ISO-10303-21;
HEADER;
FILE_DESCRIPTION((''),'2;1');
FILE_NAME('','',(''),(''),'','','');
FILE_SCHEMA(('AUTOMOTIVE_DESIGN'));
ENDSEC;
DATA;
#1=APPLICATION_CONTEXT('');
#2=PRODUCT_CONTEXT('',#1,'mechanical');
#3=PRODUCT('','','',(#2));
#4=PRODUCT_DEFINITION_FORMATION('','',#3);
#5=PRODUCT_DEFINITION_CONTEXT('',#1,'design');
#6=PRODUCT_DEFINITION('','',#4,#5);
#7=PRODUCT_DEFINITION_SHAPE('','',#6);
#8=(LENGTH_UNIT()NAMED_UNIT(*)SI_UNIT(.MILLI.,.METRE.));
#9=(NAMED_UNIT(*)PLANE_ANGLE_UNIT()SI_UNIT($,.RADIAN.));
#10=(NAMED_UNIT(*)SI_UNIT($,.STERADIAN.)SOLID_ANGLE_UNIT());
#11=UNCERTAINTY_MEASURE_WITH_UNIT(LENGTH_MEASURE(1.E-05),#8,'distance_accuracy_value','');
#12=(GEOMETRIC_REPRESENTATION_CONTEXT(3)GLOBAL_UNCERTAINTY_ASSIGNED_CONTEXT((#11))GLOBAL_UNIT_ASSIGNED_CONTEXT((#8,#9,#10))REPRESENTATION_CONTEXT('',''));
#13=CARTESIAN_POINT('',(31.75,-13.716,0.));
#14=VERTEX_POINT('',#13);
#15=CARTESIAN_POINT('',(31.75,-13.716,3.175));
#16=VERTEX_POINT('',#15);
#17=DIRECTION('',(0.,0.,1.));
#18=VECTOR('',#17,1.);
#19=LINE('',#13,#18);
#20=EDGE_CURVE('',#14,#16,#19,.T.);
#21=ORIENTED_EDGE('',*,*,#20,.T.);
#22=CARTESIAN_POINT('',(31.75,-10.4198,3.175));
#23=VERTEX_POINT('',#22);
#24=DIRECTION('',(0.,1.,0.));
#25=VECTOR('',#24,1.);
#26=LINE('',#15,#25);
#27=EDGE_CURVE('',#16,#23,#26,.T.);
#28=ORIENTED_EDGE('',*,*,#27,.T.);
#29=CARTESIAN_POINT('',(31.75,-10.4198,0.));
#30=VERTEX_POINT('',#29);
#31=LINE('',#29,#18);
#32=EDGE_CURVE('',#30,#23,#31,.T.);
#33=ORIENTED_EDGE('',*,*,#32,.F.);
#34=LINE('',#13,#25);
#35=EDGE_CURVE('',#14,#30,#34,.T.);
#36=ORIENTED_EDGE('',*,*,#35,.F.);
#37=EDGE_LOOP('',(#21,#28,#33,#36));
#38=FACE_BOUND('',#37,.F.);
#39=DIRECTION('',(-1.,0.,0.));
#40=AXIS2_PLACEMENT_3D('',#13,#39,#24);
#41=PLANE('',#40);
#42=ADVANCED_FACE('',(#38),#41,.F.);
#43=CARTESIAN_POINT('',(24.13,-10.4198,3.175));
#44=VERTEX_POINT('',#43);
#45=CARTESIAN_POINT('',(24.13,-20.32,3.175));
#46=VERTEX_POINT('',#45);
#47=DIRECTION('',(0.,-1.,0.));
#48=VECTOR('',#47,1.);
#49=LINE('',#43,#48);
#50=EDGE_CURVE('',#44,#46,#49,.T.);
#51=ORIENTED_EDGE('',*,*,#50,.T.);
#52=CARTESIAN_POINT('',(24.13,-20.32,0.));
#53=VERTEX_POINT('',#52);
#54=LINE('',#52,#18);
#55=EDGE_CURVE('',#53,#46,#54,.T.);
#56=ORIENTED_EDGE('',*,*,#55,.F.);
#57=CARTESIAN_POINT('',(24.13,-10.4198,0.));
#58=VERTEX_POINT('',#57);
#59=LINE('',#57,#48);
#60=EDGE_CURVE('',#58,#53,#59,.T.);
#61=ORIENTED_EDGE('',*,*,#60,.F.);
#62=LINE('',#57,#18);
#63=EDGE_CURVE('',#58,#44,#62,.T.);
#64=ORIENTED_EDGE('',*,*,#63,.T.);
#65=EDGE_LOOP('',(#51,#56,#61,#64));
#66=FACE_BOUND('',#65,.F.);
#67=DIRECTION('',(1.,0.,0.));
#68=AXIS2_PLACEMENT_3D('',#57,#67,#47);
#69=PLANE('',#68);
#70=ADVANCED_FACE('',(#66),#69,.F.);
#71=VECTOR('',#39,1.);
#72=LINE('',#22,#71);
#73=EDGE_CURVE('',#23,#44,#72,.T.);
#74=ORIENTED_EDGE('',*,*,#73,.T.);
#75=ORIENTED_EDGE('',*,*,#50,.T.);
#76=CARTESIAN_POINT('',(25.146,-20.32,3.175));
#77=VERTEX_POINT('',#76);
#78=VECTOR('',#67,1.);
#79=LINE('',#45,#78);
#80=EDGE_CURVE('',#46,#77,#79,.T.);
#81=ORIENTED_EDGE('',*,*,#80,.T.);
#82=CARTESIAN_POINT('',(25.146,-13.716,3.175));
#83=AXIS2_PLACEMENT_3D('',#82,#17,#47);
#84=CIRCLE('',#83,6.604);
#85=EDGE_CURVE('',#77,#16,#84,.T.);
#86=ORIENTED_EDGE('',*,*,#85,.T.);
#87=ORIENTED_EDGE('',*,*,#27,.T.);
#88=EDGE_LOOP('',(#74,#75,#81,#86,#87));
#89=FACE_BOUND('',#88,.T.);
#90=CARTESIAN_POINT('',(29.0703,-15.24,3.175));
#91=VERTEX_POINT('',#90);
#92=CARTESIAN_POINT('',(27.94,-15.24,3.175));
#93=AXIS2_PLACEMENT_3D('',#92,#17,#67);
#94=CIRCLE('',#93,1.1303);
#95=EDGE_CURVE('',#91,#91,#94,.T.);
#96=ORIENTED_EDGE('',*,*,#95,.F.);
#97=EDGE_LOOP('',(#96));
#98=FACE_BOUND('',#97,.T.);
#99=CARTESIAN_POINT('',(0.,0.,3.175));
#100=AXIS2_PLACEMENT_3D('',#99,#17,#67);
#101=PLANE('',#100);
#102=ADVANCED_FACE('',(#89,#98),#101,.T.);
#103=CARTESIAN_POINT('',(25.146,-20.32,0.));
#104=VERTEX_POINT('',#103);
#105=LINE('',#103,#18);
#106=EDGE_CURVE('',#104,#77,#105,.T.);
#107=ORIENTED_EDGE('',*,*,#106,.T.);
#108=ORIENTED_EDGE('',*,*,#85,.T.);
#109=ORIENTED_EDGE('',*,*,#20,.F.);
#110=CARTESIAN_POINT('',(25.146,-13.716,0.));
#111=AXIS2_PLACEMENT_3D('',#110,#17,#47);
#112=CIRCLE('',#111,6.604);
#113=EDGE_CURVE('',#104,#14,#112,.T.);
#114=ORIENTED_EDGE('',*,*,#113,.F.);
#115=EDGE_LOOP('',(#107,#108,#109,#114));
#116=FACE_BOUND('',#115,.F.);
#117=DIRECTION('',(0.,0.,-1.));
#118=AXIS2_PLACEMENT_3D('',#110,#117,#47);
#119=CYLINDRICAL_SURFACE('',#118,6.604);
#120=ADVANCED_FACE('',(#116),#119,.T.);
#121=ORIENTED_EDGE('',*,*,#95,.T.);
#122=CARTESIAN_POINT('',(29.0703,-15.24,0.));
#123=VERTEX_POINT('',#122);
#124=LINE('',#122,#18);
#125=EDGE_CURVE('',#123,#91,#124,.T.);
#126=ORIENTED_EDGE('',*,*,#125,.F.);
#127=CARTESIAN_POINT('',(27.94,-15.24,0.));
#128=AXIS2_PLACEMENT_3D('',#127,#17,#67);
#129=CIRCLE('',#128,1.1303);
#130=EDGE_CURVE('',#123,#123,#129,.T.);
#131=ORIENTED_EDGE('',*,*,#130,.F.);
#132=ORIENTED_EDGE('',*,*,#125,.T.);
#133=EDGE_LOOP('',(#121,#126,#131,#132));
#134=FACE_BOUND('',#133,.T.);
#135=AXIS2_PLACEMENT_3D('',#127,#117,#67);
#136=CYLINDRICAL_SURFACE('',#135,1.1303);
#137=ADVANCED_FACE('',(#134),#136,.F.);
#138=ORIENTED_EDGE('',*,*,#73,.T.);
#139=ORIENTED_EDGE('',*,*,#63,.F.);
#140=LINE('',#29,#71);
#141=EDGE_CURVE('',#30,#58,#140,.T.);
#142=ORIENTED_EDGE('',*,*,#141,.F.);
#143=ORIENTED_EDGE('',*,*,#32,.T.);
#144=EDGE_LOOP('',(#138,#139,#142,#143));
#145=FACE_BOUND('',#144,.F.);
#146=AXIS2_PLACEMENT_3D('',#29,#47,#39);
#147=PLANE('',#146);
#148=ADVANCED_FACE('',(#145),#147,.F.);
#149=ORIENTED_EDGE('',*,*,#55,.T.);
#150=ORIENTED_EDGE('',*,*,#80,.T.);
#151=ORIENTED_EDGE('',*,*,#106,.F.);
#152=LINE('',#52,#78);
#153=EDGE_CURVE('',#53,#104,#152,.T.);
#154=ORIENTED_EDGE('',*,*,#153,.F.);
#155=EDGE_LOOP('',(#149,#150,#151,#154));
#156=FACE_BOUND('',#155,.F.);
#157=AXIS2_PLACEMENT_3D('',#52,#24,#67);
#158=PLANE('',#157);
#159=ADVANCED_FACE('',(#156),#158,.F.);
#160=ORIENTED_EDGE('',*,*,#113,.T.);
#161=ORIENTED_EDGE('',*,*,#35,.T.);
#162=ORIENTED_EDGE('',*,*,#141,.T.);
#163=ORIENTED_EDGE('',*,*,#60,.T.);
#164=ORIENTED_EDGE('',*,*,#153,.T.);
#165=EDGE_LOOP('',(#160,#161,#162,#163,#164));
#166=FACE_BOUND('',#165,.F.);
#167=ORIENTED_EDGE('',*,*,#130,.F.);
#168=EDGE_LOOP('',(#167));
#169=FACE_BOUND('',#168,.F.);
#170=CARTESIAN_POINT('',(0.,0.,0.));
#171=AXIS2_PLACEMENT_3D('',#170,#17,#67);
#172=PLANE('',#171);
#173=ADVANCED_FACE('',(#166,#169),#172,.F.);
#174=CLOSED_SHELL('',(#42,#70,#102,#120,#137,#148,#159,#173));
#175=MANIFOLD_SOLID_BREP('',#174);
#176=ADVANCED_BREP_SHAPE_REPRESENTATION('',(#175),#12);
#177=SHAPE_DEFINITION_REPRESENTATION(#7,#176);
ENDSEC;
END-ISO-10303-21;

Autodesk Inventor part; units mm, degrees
ref_plane "YZ Plane" through (0, 0, 0) normal (1, 0, 0) x (0, 1, 0)
ref_plane "XZ Plane" through (0, 0, 0) normal (0, 1, 0) x (-1, 0, 0)
ref_plane "XY Plane" through (0, 0, 0) normal (0, 0, 1) x (1, 0, 0)
ref_plane "Work Plane1" through (0, 0, 0) normal (0, 0, 1) x (1, 0, 0)
sketch "Sketch1" plane through (0, 0, 0) normal (0, 0, 1) x (1, 0, 0)
  line L0 (31.75, -13.716) -> (31.75, -6.096) projected
  arc A0 (25.146, -20.32) -> (31.75, -13.716) centre (25.146, -13.716) ccw projected
  line L1 (24.13, -20.32) -> (25.146, -20.32) projected
  circle A1 centre (27.94, -15.24) radius 1.1303 projected
  line L2 (31.75, -6.096) -> (31.75, -10.4198)
  line L3 (31.75, -10.4198) -> (24.13, -10.4198)
  line L4 (24.13, -10.4198) -> (24.13, -20.32)
  point P0 (0, 0)
extrude "Extrusion1" add sketch "Sketch1" along normal blind 3.175
properties part number "adapter"
